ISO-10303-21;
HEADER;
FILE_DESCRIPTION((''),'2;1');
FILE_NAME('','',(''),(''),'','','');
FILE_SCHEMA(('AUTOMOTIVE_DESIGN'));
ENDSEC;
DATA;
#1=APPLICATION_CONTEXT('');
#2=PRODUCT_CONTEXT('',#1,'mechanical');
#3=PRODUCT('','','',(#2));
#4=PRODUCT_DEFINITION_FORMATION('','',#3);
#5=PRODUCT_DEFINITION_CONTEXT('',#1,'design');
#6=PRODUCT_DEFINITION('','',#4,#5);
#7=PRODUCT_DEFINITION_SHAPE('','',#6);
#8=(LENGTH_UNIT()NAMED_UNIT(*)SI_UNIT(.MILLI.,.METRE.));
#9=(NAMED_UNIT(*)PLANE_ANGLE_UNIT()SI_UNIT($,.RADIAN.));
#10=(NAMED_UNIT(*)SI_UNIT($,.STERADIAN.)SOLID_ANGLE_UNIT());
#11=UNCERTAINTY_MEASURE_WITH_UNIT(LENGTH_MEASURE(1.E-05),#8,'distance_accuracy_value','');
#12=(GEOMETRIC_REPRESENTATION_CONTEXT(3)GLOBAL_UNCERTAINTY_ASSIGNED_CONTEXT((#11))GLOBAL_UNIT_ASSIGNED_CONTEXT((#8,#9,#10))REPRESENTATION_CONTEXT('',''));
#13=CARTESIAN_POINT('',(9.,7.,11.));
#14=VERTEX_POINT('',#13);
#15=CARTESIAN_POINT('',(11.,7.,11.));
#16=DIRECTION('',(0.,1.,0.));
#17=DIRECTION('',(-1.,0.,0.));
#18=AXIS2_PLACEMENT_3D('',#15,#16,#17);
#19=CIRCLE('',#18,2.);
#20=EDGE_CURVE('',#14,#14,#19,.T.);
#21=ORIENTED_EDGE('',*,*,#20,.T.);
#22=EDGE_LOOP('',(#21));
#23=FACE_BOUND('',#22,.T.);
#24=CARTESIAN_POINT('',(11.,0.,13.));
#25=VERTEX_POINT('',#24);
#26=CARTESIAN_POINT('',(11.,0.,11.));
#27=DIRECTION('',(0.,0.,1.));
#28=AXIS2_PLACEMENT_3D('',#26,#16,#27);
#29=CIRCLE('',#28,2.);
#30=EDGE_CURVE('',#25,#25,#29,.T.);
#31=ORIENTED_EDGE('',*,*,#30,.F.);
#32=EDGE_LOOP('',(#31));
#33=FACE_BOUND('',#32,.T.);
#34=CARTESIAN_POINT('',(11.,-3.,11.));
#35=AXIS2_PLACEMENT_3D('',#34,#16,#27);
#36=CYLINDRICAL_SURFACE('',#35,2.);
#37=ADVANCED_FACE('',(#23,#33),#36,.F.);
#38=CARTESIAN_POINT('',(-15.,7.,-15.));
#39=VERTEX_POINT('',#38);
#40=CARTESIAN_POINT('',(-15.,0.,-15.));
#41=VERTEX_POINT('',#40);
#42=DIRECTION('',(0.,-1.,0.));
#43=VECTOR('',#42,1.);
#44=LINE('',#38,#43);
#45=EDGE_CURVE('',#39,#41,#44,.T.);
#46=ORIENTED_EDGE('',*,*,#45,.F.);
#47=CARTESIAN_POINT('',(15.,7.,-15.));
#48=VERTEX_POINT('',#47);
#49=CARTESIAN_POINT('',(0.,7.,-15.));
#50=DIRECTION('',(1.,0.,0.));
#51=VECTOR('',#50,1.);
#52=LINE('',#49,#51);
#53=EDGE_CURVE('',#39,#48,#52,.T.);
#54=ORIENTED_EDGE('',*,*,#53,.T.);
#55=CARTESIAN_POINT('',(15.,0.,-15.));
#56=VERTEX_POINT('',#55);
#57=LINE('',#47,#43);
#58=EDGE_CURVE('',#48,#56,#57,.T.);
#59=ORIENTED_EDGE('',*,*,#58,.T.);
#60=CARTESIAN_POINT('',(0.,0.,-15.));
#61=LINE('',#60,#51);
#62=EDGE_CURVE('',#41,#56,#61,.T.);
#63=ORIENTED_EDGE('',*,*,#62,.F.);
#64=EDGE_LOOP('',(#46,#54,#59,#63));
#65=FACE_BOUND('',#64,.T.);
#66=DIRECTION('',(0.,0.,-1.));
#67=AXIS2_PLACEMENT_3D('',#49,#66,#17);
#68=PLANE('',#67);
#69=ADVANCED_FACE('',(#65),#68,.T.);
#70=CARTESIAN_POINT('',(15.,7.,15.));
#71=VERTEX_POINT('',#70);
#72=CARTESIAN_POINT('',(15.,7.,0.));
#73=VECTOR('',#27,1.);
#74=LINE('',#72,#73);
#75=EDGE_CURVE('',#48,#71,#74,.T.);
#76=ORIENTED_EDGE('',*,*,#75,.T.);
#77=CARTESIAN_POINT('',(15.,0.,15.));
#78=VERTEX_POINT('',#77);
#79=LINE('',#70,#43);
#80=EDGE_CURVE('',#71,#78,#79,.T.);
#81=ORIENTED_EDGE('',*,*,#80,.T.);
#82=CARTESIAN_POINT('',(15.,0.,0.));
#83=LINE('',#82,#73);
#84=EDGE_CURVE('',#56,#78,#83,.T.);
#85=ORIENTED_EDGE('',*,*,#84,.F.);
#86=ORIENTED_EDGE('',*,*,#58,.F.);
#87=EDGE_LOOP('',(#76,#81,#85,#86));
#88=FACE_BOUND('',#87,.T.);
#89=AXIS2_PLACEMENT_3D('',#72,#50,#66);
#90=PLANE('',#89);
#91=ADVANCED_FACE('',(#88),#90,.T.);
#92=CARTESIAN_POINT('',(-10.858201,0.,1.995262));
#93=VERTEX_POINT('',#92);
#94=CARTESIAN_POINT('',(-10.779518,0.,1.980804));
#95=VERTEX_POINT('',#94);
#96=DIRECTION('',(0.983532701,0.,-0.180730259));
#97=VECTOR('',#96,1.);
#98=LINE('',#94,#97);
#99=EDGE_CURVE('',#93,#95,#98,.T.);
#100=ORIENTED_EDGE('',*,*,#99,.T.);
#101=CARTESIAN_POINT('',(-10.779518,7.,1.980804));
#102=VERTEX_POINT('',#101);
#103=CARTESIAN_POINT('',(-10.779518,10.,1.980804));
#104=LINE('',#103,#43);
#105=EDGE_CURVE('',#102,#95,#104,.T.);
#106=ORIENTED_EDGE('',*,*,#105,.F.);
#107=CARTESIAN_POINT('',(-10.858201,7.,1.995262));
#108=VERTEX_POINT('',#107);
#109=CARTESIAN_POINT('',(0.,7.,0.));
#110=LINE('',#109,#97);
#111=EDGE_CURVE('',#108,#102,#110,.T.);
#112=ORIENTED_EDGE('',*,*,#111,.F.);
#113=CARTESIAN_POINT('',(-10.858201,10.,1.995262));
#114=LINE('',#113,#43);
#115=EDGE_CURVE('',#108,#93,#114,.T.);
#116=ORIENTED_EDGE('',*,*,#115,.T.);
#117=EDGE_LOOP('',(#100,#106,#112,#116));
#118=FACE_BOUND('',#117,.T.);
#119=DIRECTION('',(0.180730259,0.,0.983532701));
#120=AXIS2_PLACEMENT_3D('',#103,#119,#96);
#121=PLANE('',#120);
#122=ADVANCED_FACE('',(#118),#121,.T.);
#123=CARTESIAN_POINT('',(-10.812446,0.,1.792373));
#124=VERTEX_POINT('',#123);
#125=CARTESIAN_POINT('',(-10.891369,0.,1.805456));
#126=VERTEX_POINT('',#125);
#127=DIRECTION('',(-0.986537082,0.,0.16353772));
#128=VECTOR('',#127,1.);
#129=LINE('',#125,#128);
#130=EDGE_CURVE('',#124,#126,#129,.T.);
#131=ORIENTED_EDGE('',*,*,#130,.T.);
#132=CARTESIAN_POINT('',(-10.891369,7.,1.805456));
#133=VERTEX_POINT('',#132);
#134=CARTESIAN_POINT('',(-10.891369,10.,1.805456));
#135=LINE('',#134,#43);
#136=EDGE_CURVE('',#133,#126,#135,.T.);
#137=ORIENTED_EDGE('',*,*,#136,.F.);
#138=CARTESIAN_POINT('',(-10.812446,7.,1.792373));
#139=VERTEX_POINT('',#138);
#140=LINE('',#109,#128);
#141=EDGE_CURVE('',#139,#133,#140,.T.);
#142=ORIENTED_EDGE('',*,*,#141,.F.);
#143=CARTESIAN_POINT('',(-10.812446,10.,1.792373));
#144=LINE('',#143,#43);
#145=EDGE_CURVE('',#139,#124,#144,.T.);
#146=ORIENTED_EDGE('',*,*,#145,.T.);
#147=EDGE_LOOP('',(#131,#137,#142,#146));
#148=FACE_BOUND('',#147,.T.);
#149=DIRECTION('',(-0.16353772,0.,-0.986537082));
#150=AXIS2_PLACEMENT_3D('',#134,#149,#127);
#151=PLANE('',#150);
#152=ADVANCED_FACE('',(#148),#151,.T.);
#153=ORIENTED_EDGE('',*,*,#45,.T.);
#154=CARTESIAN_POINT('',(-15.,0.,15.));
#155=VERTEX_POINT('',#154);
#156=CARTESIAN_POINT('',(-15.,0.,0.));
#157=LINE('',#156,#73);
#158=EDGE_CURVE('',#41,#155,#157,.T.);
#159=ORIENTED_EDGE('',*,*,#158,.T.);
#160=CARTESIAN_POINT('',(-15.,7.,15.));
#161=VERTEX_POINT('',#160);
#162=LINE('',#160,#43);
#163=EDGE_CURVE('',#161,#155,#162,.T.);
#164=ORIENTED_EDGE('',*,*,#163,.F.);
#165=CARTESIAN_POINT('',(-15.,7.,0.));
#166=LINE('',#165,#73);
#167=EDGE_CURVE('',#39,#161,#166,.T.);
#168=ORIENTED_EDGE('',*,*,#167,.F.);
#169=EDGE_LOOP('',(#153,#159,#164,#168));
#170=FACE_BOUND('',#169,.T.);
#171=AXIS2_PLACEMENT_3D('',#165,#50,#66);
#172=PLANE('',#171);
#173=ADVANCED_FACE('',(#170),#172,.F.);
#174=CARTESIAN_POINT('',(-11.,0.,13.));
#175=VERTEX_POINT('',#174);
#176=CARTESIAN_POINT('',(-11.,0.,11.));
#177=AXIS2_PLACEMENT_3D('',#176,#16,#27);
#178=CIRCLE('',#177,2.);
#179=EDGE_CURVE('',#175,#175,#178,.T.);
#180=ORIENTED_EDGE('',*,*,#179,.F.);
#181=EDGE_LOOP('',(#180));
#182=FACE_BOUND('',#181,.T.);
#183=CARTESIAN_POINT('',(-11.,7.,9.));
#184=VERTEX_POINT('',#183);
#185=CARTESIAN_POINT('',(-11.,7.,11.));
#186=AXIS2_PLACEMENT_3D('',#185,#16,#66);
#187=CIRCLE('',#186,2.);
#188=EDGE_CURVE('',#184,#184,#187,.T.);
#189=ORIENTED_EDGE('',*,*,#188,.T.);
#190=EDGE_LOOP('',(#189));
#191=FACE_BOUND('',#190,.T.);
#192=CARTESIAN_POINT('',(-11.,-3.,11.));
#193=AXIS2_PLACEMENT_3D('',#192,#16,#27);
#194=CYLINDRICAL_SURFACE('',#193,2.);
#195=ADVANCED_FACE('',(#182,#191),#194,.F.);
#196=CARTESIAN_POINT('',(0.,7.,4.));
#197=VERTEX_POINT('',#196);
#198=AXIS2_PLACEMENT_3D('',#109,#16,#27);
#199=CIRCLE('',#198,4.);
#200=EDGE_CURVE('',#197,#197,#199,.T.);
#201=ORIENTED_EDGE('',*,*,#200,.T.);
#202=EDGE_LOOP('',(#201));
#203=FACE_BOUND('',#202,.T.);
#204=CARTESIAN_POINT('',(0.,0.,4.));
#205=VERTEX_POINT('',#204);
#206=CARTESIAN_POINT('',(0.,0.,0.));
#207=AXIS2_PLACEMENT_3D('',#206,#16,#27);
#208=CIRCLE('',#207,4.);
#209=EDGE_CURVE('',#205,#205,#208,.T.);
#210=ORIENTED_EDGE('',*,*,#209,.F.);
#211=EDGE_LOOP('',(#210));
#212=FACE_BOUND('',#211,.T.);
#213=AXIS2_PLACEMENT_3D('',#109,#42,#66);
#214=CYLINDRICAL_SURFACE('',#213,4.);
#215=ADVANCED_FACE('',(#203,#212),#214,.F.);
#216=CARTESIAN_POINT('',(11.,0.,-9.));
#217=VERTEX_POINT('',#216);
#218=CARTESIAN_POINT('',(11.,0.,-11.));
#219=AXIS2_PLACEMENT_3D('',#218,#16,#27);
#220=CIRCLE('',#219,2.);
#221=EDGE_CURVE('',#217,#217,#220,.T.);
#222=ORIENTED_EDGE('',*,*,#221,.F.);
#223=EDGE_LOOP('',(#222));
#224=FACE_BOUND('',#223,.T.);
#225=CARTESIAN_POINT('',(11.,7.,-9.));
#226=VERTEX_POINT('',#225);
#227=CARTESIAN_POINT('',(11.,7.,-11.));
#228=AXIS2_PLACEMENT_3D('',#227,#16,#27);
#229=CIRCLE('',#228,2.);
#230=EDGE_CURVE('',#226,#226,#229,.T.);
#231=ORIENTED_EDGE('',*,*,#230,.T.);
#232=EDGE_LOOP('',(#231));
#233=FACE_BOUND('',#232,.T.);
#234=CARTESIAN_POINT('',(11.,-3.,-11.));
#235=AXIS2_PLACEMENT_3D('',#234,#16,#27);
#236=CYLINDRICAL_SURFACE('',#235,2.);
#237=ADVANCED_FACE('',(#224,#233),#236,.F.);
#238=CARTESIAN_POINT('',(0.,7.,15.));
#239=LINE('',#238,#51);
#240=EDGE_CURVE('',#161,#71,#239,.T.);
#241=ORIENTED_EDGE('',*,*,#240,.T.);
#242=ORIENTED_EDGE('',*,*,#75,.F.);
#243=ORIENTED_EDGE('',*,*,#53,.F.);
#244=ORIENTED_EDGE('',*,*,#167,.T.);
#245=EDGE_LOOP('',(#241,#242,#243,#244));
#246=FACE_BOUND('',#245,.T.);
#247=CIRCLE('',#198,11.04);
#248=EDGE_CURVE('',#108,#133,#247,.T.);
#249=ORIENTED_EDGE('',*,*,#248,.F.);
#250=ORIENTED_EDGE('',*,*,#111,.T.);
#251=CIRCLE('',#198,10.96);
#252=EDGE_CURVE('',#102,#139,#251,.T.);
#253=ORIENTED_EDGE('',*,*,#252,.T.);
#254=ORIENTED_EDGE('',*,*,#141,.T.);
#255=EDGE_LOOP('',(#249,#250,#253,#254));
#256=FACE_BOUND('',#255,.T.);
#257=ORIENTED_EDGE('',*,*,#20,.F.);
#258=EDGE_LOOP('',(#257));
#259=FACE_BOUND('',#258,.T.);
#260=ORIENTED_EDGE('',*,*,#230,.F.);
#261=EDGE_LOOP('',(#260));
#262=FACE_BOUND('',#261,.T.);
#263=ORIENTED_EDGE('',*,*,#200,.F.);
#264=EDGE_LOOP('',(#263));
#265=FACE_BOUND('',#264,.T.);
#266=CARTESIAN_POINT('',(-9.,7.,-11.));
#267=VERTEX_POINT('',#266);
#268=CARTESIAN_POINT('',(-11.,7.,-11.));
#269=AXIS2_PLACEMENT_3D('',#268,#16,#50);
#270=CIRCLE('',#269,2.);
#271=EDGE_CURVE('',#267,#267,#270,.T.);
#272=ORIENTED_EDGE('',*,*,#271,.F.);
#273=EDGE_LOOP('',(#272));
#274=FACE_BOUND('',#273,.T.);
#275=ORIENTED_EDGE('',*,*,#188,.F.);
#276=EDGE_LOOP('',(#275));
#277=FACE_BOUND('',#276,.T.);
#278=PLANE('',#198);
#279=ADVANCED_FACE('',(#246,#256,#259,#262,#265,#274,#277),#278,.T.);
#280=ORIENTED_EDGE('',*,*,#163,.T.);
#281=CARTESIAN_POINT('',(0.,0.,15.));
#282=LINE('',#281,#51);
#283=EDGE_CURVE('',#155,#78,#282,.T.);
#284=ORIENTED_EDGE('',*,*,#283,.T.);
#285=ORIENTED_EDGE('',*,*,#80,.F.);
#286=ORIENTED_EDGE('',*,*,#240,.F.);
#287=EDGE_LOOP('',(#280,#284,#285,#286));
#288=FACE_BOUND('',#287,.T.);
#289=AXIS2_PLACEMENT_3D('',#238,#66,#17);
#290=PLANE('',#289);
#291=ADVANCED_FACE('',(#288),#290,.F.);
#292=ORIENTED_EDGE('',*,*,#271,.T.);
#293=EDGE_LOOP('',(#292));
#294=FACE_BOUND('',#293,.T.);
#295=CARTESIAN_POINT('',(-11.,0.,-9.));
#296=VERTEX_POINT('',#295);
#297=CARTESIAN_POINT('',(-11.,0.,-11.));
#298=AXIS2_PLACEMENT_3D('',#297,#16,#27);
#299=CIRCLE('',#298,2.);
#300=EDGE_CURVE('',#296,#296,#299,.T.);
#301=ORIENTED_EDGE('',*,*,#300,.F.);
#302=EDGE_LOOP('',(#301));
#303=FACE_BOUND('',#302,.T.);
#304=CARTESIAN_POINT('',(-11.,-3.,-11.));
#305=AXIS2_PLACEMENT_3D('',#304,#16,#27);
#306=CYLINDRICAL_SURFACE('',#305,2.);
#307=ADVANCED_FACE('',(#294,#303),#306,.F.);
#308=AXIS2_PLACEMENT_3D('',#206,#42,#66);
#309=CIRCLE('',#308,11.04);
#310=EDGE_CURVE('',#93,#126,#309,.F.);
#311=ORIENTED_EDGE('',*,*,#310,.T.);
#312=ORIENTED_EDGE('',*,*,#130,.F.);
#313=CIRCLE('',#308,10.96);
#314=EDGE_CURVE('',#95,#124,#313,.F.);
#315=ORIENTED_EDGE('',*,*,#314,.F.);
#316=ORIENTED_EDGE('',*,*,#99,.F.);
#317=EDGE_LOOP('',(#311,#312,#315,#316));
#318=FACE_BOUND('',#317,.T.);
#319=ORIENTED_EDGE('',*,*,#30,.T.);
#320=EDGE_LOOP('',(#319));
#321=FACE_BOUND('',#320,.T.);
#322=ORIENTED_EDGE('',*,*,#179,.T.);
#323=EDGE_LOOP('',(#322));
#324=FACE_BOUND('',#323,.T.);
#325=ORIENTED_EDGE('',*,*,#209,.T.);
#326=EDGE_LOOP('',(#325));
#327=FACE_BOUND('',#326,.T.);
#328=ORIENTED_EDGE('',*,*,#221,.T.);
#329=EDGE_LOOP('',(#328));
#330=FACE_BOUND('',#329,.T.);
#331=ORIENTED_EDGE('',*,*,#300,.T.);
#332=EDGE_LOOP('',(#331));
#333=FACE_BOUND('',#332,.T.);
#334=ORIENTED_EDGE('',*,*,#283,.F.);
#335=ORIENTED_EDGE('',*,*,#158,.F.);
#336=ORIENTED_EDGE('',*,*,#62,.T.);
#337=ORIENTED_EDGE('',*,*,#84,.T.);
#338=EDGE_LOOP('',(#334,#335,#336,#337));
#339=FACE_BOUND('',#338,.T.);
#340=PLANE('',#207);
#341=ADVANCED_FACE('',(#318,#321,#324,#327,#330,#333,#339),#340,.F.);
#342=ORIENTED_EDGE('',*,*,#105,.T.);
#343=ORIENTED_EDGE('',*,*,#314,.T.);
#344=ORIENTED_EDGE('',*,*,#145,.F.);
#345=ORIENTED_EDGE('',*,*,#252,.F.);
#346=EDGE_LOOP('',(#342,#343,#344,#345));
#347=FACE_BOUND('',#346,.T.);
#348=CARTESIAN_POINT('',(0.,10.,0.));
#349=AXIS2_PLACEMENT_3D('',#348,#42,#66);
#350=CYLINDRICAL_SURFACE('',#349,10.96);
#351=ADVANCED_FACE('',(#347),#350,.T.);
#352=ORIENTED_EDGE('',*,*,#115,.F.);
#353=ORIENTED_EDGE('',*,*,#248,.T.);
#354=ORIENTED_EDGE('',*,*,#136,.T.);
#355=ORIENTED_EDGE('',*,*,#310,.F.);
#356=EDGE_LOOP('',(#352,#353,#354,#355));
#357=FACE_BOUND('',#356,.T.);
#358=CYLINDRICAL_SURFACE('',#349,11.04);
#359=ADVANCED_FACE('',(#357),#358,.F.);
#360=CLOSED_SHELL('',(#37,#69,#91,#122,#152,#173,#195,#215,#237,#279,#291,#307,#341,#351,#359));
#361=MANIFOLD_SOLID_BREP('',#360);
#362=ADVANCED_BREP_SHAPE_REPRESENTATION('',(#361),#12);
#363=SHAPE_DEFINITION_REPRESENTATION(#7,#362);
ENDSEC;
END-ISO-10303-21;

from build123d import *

# Parameters (mm, degrees)
SKETCH1_W                    = 30
SKETCH1_H                    = 30
SKETCH1_R                    = 4
BOSS_EXTRUDE1_DEPTH          = 7
CUT_EXTRUDE_THIN1_DEPTH      = 1
CUT_EXTRUDE_THIN1_DEPTH_BACK = 10
SKETCH3_R                    = 2
CUT_EXTRUDE1_DEPTH           = 10
CIRPATTERN1_COUNT            = 4


with BuildPart() as part:
    # Sketch1 → Boss-Extrude1 (new body)
    with BuildSketch(Plane(origin=(0, 0, 0), x_dir=(1, 0, 0), z_dir=(0, 1, 0))):
        Rectangle(SKETCH1_W, SKETCH1_H)
        Circle(SKETCH1_R, mode=Mode.SUBTRACT)
    extrude(amount=BOSS_EXTRUDE1_DEPTH)

    # Sketch2 → Cut-Extrude-Thin1 (cut, two sides)
    with BuildSketch(Plane.XZ) as cut_extrude_thin1_sk:
        with BuildLine():
            ThreePointArc((-10.891369385, 1.805456431), (10.875199295, -1.900431606), (-10.858201017, 1.995262057))
            Line((-10.858201017, 1.995262057), (-10.779518401, 1.980803636))
            ThreePointArc((-10.779518401, 1.980803636), (10.796393503, -1.886660363), (-10.812446418, 1.792373414))
            Line((-10.812446418, 1.792373414), (-10.891369385, 1.805456431))
        make_face()
    extrude(amount=CUT_EXTRUDE_THIN1_DEPTH, mode=Mode.SUBTRACT)
    extrude(cut_extrude_thin1_sk.sketch, amount=-CUT_EXTRUDE_THIN1_DEPTH_BACK, mode=Mode.SUBTRACT)

    # Sketch3 → Cut-Extrude1 (cut)
    with BuildSketch(Plane(origin=(0, 7, 0), x_dir=(1, 0, 0), z_dir=(0, 1, 0))):
        with Locations((11, 11)):
            Circle(SKETCH3_R)
    cut_extrude1 = extrude(amount=-CUT_EXTRUDE1_DEPTH, mode=Mode.SUBTRACT)

    # CirPattern1: Cut-Extrude1 ×4 about axis
    cirpattern1_axis = Axis((0, 0, 0), (0, 1, 0))
    for i in range(1, CIRPATTERN1_COUNT):
        add(cut_extrude1.rotate(cirpattern1_axis, i * 360 / CIRPATTERN1_COUNT), mode=Mode.SUBTRACT)


solid = part.part
